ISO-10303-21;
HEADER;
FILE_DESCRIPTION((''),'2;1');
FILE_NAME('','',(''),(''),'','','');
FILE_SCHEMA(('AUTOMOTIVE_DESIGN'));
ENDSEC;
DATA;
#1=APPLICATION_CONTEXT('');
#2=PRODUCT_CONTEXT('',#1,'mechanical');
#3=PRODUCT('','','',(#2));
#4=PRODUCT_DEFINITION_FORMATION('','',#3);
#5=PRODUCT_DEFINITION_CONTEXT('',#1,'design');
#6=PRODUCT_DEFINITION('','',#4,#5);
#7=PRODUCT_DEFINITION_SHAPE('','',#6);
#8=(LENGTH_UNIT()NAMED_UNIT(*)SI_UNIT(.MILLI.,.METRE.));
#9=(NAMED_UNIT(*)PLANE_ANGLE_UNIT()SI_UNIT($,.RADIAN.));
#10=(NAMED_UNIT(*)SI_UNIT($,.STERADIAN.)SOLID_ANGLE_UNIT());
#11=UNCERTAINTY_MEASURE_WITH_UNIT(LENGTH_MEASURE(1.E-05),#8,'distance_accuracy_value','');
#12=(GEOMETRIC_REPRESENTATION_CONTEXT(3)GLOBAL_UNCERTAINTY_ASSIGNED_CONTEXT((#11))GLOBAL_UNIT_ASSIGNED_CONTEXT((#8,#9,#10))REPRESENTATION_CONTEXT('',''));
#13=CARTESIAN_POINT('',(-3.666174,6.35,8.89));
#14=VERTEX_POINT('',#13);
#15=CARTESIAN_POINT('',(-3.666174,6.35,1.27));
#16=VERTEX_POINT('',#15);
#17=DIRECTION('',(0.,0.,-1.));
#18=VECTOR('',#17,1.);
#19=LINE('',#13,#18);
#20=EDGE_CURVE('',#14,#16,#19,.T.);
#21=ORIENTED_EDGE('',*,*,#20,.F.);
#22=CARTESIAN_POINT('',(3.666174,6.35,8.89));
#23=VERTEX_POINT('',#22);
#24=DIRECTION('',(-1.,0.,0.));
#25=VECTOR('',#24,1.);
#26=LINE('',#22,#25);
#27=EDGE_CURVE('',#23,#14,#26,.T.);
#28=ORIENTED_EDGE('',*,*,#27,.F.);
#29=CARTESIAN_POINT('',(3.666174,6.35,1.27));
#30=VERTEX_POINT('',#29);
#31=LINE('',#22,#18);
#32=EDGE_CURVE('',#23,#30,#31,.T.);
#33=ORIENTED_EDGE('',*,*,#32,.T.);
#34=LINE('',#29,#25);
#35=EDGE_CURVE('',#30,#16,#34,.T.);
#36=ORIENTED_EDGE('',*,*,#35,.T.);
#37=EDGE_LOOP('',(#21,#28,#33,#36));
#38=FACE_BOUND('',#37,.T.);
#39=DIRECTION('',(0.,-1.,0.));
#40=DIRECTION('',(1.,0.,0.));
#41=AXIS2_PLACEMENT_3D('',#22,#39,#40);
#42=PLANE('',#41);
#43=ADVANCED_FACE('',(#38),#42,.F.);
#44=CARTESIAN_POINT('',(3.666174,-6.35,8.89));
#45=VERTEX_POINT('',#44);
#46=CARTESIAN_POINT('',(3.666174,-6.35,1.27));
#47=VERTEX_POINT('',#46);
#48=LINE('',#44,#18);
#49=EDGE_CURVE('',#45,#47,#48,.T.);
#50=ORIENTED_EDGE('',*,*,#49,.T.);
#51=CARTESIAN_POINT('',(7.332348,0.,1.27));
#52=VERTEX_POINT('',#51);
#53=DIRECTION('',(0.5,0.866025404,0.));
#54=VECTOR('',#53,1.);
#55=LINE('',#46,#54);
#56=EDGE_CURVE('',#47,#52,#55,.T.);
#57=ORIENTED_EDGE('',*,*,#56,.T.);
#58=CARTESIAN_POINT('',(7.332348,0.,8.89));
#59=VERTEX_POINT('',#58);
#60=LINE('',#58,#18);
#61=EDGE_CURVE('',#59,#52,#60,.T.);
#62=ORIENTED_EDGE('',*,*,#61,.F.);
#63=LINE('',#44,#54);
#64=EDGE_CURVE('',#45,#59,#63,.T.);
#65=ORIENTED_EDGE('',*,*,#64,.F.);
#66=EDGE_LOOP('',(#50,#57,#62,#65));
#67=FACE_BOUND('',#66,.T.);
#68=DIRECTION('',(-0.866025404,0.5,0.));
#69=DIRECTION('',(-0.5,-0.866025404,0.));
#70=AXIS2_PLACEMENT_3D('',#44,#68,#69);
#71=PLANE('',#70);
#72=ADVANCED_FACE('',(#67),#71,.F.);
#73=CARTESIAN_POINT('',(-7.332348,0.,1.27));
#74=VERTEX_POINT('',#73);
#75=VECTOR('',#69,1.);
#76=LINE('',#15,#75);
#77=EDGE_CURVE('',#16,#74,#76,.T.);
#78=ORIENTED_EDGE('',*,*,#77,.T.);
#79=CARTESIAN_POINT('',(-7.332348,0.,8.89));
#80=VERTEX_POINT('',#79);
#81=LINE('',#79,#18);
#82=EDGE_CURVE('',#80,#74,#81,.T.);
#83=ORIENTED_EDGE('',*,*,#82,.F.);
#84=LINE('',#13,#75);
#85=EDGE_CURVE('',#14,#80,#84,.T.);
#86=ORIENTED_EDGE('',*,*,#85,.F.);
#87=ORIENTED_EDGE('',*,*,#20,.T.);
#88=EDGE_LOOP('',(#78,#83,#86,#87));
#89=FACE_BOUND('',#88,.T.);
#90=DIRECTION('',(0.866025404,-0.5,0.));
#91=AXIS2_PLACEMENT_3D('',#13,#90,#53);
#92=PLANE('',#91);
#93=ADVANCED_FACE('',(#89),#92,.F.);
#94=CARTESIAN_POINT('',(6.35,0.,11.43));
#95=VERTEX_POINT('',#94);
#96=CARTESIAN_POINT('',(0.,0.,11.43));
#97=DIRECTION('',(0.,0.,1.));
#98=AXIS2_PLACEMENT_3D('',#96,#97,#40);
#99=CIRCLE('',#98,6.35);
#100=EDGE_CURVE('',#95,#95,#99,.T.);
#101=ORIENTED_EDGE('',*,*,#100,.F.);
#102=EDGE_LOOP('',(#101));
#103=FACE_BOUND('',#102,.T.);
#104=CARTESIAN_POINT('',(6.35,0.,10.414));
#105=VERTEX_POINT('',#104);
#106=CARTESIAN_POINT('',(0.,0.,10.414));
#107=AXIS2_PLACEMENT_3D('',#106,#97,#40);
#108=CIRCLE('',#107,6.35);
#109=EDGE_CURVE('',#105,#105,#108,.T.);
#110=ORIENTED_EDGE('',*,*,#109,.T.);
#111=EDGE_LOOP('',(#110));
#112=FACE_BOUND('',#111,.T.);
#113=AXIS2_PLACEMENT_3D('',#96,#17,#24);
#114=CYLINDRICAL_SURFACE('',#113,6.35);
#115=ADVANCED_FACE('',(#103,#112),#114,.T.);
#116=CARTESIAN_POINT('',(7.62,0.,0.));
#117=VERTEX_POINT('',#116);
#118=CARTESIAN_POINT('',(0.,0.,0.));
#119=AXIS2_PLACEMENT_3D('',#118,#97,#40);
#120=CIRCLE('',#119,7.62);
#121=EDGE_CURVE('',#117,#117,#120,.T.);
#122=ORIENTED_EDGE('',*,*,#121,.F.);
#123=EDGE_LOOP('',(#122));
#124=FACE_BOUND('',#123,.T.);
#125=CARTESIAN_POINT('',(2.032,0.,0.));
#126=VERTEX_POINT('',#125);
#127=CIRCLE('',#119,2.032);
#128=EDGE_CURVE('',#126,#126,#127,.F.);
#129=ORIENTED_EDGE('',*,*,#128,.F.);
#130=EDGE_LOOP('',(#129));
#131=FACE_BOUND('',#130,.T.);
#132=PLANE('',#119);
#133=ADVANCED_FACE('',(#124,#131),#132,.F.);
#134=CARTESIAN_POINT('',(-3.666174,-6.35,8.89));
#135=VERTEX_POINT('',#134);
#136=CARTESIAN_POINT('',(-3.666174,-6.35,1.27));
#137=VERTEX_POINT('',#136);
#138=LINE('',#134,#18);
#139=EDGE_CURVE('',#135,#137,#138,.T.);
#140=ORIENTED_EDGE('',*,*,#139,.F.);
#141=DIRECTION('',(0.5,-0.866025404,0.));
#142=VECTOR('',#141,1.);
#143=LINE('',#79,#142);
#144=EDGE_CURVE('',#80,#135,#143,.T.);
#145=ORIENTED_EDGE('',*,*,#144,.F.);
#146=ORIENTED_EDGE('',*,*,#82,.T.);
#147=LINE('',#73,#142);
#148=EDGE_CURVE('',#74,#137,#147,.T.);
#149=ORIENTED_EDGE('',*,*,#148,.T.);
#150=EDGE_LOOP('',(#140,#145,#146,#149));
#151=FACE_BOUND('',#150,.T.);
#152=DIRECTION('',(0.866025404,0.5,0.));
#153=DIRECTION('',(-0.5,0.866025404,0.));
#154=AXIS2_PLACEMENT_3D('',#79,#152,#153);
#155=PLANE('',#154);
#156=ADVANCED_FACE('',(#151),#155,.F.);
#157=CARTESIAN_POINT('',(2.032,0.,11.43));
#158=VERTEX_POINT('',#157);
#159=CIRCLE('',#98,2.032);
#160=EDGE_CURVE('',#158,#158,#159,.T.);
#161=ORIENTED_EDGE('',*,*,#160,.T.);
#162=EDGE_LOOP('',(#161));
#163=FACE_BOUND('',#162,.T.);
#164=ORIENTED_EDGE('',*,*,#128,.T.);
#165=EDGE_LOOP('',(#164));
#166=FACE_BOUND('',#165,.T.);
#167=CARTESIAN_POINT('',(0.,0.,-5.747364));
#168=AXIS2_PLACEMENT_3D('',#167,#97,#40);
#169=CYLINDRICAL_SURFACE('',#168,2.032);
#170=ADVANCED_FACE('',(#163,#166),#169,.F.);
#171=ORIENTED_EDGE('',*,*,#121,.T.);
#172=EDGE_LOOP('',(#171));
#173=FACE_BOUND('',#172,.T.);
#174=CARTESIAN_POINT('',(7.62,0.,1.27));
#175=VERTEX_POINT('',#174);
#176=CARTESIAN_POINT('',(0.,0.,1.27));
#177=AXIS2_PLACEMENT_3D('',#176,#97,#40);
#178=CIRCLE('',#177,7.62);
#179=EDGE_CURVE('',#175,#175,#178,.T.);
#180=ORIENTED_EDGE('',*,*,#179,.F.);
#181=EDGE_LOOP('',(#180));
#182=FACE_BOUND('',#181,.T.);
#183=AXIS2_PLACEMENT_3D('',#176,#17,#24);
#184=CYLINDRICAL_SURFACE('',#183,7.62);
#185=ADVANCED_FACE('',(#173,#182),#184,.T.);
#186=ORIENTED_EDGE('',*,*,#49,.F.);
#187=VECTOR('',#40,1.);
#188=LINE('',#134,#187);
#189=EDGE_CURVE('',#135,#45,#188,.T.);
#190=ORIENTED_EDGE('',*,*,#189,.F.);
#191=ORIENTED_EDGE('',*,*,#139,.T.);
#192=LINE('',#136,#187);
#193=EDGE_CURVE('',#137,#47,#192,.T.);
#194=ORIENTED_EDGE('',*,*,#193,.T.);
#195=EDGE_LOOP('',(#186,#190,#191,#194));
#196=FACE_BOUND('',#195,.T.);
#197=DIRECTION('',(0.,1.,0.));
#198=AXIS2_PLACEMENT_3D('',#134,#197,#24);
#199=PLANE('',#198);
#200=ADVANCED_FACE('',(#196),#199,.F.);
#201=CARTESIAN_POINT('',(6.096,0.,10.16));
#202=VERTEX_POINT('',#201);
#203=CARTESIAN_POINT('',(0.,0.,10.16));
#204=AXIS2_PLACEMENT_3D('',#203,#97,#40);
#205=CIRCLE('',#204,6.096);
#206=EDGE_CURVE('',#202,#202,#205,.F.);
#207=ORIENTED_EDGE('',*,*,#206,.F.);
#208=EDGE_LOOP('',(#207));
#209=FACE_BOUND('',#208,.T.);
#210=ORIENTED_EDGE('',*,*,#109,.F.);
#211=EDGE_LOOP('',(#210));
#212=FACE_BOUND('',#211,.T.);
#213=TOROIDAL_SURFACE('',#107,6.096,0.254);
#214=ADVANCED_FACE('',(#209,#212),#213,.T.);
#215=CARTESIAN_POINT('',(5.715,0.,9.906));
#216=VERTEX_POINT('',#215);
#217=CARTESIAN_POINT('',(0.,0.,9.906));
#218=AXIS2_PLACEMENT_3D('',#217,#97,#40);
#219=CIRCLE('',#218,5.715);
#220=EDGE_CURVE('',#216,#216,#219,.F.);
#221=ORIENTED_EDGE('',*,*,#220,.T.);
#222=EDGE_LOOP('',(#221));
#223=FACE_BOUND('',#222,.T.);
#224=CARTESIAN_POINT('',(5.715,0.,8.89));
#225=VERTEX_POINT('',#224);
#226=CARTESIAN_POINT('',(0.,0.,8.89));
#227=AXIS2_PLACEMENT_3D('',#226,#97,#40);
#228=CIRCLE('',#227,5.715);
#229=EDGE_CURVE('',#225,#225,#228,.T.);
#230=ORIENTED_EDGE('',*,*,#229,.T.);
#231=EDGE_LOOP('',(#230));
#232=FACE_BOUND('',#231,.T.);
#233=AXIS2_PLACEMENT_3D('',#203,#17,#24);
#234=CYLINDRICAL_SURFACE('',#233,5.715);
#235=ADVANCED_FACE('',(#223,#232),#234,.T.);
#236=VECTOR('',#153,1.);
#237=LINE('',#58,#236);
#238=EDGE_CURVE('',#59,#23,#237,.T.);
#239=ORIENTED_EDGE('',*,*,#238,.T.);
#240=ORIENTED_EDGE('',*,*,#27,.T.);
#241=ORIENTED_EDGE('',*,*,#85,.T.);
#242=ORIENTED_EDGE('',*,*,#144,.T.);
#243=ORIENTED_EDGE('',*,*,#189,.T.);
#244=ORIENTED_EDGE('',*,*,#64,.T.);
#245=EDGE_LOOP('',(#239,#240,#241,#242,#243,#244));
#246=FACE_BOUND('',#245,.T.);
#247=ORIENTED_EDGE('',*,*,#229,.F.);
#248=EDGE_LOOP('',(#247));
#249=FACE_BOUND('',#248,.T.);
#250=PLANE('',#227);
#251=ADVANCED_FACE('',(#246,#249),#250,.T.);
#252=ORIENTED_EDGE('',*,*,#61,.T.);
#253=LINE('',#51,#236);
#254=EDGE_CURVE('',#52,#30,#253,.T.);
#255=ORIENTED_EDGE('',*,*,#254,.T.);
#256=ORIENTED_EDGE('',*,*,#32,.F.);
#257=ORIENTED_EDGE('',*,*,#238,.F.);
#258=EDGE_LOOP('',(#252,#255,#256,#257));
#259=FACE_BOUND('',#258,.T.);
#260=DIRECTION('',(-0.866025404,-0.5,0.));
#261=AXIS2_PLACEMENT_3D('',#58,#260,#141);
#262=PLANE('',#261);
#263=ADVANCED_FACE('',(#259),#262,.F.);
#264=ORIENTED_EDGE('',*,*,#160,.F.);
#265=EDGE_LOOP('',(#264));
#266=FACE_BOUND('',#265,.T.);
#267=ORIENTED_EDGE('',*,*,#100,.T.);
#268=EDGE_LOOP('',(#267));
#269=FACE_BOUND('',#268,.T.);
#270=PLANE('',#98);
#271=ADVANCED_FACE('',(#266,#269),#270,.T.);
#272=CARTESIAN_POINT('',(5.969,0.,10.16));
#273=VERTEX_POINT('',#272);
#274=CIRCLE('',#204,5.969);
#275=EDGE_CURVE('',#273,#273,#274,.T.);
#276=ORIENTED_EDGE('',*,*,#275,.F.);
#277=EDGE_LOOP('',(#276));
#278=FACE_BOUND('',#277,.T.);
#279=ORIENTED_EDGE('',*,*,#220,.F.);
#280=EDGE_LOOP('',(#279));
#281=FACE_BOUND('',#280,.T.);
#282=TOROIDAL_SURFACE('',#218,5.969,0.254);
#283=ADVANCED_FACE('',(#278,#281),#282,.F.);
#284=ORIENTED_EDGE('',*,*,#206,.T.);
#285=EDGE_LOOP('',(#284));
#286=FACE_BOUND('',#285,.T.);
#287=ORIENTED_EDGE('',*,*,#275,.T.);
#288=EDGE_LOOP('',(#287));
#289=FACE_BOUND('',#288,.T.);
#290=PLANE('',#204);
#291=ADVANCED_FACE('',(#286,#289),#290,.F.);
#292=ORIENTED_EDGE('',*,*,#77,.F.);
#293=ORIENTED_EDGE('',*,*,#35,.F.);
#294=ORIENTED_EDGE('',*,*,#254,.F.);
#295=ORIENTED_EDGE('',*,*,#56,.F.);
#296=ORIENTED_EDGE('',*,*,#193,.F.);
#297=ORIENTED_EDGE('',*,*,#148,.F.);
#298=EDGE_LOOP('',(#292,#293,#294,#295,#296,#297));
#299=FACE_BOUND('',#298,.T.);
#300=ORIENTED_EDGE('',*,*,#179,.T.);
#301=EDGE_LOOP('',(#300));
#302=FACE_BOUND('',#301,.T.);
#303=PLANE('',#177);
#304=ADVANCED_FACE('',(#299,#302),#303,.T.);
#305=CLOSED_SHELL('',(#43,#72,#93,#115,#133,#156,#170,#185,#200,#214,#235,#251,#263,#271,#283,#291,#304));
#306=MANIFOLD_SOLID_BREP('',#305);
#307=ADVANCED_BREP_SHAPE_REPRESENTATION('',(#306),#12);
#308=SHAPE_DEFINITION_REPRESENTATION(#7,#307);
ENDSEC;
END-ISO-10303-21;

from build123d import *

# Parameters (mm, degrees)
SKETCH1_R           = 7.62
BOSS_EXTRUDE1_DEPTH = 1.27
BOSS_EXTRUDE2_DEPTH = 7.62
SKETCH3_R           = 5.715
BOSS_EXTRUDE3_DEPTH = 1.27
SKETCH4_R           = 6.35
BOSS_EXTRUDE4_DEPTH = 1.27
FILLET1_R           = 0.254
SKETCH5_R           = 2.032
CUT_EXTRUDE1_DEPTH  = 11.43


with BuildPart() as part:
    # Sketch1 → Boss-Extrude1 (new body)
    with BuildSketch(Plane.XY):
        Circle(SKETCH1_R)
    extrude(amount=BOSS_EXTRUDE1_DEPTH)

    # Sketch2 → Boss-Extrude2 (add)
    with BuildSketch(Plane.XY.offset(1.27)):
        Polygon((3.666174209, 6.35), (-3.666174209, 6.35), (-7.332348419, 0), (-3.666174209, -6.35), (3.666174209, -6.35), (7.332348419, 0), align=None)
    extrude(amount=BOSS_EXTRUDE2_DEPTH)

    # Sketch3 → Boss-Extrude3 (add)
    with BuildSketch(Plane.XY.offset(8.89)):
        Circle(SKETCH3_R)
    extrude(amount=BOSS_EXTRUDE3_DEPTH)

    # Sketch4 → Boss-Extrude4 (add)
    with BuildSketch(Plane.XY.offset(10.16)):
        Circle(SKETCH4_R)
    extrude(amount=BOSS_EXTRUDE4_DEPTH)

    # Fillet1
    fillet1_edges = [part.edges().sort_by_distance(p)[0] for p in [
        (-5.715, 0, 10.16),
        (-6.35, 0, 10.16),
    ]]
    fillet(fillet1_edges, radius=FILLET1_R)

    # Sketch5 → Cut-Extrude1 (cut)
    with BuildSketch(Plane.XY.offset(11.43)):
        Circle(SKETCH5_R)
    extrude(amount=-CUT_EXTRUDE1_DEPTH, mode=Mode.SUBTRACT)


solid = part.part
